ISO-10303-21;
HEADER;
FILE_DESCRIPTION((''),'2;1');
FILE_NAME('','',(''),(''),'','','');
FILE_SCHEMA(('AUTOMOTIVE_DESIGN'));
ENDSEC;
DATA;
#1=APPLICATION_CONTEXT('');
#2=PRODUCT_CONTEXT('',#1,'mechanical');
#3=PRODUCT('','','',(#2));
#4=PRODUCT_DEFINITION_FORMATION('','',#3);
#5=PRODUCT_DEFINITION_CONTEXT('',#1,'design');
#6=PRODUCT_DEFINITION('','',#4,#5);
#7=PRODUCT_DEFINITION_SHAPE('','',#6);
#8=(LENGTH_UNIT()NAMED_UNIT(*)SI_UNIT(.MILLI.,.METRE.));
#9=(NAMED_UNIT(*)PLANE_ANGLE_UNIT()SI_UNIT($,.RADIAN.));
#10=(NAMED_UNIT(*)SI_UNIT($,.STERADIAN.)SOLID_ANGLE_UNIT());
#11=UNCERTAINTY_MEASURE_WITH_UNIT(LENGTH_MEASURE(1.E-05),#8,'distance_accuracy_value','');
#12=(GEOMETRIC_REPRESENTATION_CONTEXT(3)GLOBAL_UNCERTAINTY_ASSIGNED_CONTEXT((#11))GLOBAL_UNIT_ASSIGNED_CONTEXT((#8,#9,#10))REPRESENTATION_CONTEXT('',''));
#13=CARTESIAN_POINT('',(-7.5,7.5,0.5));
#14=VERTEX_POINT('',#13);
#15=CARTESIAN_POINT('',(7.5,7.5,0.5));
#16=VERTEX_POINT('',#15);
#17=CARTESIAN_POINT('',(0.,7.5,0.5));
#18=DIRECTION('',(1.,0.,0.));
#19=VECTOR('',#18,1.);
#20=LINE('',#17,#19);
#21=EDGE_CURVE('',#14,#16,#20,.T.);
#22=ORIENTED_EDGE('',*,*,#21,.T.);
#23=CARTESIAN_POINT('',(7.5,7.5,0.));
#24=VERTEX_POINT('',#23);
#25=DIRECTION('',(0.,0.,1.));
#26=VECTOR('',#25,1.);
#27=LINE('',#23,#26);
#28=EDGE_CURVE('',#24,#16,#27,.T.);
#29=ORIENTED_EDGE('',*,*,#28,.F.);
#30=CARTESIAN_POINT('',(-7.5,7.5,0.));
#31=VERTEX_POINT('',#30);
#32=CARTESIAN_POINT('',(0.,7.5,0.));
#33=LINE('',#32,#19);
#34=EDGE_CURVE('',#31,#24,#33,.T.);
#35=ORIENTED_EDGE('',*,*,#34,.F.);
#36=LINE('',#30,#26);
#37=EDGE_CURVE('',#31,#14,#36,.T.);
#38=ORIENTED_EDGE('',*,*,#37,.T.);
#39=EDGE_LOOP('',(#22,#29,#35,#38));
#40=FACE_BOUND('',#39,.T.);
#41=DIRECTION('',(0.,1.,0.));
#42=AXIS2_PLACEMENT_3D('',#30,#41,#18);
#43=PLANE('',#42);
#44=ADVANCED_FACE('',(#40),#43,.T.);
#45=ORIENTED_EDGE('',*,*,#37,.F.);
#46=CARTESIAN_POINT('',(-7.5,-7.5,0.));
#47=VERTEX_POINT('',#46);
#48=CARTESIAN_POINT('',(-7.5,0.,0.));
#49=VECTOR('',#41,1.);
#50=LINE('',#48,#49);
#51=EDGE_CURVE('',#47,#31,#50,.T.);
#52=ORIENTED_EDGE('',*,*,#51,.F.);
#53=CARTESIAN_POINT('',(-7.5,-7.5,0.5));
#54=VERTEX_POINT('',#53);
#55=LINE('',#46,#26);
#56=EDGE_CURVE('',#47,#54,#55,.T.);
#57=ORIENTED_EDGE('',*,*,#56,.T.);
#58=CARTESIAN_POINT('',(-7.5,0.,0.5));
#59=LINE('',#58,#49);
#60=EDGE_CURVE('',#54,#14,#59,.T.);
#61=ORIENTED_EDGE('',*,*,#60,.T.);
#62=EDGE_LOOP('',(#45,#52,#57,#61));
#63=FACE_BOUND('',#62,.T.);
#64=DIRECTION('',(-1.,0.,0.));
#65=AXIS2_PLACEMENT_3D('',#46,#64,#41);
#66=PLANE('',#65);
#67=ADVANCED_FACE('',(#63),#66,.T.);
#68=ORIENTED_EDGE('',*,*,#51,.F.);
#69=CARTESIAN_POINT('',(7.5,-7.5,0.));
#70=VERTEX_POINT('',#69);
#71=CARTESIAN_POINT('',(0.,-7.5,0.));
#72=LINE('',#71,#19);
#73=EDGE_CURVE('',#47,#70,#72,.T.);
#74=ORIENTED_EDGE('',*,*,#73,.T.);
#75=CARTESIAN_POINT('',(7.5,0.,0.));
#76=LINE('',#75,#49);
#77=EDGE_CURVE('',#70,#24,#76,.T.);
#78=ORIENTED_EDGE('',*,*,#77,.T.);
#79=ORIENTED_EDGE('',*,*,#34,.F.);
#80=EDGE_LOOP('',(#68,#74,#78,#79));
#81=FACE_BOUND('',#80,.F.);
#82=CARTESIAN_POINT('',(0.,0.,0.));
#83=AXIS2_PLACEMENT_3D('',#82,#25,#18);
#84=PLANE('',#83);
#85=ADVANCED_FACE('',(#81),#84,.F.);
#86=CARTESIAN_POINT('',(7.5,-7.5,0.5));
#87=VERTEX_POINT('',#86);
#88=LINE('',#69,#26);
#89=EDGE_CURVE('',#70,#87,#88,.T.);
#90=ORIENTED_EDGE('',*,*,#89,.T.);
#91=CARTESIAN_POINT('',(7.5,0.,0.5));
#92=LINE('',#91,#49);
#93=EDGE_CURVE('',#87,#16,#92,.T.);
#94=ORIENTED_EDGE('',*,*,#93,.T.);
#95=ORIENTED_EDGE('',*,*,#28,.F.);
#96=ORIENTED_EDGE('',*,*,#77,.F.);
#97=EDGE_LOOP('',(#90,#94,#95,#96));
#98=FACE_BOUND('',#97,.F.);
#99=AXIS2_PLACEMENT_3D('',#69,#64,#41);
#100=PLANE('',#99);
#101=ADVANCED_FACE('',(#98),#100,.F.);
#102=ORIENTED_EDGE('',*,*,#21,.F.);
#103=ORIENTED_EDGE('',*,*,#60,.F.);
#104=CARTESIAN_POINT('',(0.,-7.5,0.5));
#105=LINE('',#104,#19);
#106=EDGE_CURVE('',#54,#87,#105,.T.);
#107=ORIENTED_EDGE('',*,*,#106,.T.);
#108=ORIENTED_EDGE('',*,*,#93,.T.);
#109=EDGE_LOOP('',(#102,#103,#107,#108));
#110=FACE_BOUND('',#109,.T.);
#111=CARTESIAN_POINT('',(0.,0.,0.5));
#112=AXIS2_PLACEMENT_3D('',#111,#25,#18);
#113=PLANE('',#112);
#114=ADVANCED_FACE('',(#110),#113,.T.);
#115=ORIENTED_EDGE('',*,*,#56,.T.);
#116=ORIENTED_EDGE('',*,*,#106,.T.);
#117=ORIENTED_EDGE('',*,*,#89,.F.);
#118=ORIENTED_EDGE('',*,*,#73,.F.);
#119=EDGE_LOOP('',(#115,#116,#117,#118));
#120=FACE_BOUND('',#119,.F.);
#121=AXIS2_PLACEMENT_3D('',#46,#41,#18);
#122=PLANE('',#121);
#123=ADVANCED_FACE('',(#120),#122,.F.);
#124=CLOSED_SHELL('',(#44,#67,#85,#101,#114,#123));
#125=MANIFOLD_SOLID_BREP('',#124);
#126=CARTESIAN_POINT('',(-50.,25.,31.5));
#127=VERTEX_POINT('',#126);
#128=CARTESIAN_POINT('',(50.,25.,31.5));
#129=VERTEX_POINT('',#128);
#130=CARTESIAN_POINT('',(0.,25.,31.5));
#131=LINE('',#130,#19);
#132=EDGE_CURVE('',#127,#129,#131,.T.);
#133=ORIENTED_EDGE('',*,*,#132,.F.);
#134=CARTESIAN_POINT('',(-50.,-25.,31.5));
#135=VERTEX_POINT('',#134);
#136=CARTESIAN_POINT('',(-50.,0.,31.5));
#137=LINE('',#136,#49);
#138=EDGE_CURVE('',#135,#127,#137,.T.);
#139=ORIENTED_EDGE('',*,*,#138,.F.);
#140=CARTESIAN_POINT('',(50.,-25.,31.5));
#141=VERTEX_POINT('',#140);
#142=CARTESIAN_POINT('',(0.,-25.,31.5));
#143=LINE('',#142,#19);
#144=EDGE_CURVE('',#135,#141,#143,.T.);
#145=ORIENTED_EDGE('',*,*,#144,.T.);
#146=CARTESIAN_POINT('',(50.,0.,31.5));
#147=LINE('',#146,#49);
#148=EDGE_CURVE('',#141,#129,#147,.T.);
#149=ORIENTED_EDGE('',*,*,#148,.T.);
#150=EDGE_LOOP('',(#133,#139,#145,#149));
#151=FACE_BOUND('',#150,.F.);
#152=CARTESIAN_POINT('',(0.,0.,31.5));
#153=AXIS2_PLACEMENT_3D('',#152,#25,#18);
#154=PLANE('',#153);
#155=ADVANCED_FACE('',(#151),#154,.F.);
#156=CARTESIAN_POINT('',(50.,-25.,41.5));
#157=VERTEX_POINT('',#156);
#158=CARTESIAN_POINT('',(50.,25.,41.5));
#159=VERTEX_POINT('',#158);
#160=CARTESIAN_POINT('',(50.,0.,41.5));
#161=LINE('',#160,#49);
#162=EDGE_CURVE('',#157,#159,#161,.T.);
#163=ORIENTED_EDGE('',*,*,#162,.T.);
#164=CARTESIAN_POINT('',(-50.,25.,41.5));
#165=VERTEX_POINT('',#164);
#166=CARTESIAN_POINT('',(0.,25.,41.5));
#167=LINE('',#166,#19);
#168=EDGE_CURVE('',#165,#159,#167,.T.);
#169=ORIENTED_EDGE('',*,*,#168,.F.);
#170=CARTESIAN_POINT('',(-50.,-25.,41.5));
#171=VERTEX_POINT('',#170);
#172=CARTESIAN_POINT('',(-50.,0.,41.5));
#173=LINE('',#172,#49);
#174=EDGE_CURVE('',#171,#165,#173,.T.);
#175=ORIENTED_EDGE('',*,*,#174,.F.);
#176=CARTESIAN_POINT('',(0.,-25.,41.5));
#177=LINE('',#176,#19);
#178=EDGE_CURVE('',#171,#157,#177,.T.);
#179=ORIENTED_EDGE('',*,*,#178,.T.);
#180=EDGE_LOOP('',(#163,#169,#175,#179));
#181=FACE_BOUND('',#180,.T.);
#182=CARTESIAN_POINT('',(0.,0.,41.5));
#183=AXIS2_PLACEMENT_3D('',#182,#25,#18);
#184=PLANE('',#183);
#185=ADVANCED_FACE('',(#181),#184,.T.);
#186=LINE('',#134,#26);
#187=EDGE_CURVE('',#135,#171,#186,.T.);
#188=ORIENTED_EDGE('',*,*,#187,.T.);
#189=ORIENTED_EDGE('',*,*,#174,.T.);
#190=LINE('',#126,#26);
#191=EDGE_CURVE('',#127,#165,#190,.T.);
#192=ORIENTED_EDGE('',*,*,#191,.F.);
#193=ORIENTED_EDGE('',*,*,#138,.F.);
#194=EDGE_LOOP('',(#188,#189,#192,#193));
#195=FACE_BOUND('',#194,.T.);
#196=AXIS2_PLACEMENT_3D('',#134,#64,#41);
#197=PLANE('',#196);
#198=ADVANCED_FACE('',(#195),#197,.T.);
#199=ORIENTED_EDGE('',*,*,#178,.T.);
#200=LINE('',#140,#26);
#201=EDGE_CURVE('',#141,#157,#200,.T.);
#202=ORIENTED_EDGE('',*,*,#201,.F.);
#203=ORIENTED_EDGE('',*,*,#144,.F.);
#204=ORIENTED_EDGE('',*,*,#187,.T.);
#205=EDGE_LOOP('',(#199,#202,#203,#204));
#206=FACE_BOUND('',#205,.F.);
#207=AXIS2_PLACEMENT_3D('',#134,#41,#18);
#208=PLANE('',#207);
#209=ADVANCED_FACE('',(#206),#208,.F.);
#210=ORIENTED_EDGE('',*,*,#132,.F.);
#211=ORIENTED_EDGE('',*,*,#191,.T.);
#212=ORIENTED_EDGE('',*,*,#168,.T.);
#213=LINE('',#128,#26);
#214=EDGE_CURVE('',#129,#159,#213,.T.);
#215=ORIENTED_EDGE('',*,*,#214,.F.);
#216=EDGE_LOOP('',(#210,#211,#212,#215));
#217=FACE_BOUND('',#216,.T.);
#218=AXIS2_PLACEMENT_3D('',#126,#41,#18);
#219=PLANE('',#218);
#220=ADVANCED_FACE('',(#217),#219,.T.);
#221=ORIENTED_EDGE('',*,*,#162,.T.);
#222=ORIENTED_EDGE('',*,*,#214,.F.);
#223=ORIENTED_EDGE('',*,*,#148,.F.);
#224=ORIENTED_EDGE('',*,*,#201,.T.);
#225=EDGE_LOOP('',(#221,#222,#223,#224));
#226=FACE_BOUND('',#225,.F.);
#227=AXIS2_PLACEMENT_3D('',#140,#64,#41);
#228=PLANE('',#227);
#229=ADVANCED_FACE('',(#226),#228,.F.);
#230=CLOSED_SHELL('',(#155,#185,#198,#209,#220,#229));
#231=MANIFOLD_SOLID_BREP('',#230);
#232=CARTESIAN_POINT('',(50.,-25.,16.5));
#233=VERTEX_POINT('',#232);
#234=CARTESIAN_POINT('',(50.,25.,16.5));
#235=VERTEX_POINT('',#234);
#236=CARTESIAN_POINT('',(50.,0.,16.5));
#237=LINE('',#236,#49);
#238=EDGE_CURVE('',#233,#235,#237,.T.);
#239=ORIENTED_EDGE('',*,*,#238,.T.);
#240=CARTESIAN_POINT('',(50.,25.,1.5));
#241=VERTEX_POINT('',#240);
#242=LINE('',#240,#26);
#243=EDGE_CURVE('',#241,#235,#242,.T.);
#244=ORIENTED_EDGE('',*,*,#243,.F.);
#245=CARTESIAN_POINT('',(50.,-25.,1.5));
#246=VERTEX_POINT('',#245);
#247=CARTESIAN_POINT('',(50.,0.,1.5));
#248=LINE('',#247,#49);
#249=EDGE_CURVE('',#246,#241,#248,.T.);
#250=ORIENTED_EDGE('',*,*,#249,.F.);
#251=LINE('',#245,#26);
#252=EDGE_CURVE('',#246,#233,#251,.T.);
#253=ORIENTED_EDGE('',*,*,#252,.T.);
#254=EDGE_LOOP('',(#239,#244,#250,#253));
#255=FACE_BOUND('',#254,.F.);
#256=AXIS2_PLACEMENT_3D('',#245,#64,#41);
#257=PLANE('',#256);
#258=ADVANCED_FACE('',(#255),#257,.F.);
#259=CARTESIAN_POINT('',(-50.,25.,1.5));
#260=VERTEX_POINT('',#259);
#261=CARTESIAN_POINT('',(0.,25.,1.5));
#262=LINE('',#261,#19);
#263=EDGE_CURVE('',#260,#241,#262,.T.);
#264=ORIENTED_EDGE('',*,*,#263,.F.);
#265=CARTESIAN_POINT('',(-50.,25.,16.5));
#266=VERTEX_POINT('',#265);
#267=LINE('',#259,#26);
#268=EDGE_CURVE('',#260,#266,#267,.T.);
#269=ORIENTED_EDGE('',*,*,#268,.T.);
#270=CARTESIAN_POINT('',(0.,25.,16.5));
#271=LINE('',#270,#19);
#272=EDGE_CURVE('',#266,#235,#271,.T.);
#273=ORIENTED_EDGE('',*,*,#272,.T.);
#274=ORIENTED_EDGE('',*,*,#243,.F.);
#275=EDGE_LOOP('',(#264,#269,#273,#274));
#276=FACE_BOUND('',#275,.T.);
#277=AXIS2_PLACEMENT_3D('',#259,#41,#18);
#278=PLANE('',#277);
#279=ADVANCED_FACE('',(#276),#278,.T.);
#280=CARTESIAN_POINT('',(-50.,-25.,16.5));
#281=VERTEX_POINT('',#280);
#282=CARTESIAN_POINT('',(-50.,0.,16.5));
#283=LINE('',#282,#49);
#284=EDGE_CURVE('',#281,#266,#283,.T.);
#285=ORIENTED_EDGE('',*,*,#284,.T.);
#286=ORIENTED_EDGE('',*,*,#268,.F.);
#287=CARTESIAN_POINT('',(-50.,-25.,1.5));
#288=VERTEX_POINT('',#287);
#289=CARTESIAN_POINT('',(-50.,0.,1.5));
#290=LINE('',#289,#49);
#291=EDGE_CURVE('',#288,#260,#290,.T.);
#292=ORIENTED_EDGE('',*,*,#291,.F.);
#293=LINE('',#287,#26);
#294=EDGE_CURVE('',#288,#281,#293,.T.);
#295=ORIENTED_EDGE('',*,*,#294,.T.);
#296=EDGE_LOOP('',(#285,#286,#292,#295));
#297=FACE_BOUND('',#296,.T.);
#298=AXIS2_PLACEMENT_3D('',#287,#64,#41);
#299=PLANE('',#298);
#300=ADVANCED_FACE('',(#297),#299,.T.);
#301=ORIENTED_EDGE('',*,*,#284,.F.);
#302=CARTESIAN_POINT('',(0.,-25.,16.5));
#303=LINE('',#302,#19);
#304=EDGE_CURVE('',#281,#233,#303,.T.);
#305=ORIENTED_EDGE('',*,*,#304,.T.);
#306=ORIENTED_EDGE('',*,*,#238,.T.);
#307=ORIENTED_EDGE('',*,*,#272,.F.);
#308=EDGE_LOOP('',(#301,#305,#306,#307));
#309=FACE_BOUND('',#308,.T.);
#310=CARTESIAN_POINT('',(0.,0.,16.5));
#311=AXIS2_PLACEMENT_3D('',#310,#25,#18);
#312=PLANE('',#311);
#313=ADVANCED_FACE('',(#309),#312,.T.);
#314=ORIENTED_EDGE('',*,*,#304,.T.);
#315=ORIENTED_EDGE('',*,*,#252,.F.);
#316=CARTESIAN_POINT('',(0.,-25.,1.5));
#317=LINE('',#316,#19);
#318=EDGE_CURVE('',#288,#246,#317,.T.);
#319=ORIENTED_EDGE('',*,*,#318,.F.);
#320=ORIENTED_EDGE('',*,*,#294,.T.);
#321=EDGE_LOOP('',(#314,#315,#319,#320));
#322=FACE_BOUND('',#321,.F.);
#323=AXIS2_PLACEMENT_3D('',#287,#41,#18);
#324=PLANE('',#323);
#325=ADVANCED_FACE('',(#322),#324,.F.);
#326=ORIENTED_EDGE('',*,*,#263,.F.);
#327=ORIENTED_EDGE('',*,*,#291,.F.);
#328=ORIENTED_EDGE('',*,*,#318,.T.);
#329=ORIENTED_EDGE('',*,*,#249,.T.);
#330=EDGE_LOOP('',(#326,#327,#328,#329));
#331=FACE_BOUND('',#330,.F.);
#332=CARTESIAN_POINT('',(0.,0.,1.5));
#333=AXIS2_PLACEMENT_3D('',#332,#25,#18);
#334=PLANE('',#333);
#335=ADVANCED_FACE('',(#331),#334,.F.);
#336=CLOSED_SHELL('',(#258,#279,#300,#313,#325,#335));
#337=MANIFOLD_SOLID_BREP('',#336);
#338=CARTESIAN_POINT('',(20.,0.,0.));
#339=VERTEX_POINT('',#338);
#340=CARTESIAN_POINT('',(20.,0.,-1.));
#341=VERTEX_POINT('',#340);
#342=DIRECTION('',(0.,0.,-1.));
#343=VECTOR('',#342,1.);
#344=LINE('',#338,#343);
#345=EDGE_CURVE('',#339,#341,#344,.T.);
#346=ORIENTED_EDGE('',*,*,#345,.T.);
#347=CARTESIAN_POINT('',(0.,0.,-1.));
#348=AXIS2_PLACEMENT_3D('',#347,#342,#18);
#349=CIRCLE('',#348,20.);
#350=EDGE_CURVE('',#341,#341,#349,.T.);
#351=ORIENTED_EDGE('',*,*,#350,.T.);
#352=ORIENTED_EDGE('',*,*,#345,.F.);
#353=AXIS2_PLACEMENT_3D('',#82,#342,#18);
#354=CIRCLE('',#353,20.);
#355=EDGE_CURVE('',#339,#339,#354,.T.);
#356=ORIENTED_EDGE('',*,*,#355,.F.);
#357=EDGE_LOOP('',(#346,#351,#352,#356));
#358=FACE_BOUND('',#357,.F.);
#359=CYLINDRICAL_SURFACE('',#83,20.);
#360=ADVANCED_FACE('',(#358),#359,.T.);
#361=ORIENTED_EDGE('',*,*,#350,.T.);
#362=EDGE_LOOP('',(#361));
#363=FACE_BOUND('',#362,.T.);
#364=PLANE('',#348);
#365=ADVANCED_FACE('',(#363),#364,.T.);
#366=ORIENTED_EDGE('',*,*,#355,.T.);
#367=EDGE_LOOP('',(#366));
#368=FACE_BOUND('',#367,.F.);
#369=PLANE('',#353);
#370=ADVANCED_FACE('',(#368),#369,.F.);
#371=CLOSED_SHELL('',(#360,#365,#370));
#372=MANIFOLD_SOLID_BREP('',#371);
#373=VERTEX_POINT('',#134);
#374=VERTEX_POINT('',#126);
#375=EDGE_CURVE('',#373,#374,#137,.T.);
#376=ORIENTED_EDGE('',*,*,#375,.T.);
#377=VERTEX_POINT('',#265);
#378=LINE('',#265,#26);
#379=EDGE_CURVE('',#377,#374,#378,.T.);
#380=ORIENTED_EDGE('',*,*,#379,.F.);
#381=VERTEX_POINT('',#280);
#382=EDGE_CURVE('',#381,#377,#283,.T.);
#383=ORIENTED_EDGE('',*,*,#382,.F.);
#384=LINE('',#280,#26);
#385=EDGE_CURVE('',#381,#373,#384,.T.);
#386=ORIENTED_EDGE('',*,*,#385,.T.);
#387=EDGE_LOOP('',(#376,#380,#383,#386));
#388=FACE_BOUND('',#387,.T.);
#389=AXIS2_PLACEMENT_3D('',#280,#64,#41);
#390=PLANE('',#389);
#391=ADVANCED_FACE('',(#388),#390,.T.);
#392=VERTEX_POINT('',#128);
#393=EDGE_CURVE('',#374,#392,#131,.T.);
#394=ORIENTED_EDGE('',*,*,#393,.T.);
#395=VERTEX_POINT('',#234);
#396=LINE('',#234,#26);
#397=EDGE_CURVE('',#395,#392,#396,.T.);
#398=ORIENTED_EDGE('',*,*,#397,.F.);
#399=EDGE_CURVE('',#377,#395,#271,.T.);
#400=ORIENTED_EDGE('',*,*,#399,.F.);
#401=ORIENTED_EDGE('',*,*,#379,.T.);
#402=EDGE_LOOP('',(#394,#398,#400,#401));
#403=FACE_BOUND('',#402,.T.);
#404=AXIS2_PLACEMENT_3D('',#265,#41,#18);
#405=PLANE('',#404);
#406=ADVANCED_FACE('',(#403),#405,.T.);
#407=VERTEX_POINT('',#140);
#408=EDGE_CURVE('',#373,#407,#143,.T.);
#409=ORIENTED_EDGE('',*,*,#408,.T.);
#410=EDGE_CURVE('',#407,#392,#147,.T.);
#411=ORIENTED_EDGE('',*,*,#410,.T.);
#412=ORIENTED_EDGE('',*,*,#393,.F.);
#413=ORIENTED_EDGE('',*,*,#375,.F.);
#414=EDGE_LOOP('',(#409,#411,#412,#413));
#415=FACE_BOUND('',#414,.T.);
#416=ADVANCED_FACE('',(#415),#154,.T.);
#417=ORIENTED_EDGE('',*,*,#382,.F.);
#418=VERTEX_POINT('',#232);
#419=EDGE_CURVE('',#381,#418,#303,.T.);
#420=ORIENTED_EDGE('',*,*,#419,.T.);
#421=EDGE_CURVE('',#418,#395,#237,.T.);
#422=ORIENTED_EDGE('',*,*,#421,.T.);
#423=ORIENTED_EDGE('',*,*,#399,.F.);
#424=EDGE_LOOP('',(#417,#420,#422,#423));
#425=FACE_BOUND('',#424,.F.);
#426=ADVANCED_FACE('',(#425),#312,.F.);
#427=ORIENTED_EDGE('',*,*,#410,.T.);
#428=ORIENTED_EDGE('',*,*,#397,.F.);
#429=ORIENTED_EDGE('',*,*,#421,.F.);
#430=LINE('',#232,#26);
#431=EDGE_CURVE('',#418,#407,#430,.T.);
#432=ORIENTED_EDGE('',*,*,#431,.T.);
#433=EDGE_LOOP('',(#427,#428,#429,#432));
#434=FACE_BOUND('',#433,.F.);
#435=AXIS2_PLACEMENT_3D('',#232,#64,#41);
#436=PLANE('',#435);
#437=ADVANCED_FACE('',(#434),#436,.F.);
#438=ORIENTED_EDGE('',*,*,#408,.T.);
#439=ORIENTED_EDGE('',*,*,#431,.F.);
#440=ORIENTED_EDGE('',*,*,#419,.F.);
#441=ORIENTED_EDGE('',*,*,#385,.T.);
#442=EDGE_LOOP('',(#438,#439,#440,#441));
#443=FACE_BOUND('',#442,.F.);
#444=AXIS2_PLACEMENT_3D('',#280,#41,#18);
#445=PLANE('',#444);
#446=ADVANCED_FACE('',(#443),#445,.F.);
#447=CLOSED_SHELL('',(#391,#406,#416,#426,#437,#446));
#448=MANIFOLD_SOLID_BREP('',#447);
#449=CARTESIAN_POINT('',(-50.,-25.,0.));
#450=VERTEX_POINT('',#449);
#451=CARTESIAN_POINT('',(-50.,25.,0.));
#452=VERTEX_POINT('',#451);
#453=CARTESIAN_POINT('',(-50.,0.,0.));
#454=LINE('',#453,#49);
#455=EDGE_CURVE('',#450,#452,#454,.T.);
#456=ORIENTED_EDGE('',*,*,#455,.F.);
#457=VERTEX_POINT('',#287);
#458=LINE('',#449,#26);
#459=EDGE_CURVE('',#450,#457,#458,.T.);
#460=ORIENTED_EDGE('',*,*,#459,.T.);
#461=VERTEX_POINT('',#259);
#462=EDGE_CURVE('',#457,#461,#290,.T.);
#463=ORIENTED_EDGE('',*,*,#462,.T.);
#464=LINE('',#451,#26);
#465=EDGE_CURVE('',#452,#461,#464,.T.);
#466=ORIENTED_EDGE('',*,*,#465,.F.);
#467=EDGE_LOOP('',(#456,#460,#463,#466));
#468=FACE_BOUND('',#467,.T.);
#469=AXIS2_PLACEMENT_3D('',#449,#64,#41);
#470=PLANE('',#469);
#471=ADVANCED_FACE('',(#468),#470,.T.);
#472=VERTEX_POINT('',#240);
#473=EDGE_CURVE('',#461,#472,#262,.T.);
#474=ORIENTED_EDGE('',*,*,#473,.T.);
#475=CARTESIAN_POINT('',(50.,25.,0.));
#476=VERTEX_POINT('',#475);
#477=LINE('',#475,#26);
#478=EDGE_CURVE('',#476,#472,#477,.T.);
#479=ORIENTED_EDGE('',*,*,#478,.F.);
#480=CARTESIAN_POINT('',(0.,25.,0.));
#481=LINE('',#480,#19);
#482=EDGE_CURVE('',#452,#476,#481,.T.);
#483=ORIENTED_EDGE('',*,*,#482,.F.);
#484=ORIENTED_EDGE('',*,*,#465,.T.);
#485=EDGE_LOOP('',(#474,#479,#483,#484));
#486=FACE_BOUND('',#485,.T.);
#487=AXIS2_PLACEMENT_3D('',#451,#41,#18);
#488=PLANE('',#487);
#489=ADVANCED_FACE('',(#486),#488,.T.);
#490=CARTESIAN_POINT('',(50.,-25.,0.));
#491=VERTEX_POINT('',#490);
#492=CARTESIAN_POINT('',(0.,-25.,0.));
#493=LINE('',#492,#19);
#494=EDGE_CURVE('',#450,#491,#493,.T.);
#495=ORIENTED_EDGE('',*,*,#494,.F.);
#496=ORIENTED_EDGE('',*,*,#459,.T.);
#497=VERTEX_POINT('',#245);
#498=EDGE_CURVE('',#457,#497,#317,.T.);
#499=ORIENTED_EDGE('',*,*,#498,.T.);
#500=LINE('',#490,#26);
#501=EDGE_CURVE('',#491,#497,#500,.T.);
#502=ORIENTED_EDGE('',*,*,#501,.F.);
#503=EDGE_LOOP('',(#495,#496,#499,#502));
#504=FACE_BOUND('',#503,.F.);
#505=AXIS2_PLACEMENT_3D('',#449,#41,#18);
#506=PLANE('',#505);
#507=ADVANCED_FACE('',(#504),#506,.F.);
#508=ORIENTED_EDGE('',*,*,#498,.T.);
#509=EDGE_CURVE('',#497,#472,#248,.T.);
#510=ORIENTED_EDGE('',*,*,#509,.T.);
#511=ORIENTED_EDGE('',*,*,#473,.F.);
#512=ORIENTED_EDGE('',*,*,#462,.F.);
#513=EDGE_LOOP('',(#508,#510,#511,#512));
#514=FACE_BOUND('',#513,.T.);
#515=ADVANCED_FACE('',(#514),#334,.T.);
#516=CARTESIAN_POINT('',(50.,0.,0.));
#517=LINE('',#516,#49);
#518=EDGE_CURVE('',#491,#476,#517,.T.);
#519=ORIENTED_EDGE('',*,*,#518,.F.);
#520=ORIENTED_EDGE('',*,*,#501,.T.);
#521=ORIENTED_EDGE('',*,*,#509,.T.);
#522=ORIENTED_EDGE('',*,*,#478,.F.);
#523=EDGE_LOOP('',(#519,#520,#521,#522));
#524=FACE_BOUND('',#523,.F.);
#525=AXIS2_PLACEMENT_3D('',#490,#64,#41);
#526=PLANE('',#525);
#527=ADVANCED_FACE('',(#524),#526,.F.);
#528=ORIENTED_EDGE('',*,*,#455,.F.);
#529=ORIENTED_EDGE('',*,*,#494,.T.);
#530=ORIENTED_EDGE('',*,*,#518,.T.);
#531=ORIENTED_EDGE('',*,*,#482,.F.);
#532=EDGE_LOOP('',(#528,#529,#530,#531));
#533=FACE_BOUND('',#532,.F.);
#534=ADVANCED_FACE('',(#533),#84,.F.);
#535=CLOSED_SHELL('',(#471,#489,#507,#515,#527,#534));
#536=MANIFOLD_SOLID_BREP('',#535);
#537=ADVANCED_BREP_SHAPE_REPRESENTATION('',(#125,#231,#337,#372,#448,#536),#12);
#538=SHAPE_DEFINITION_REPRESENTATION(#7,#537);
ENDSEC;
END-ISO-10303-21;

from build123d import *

# Parameters (mm, degrees)
F0_W      = 15
F0_H      = 15
F1_DEPTH  = 0.5
F2_W      = 100
F2_H      = 50
F3_DEPTH  = 1.5
F4_W      = 100
F4_H      = 50
F5_DEPTH  = 15
F6_W      = 100
F6_H      = 50
F7_DEPTH  = 15
F8_W      = 100
F8_H      = 50
F9_DEPTH  = 10
F10_R     = 20
F11_DEPTH = 1


with BuildPart() as f1:
    # F0 (on Top) → F1 (new body)
    with BuildSketch(Plane.XY):
        Rectangle(F0_W, F0_H)
    extrude(amount=F1_DEPTH)


with BuildPart() as f3:
    # F2 (on Top) → F3 (new body)
    with BuildSketch(Plane.XY):
        Rectangle(F2_W, F2_H)
    extrude(amount=F3_DEPTH)


with BuildPart() as f5:
    # F4 (on face) → F5 (new body)
    with BuildSketch(Plane.XY.offset(1.5)):
        Rectangle(F4_W, F4_H)
    extrude(amount=F5_DEPTH)


with BuildPart() as f7:
    # F6 (on face) → F7 (new body)
    with BuildSketch(Plane.XY.offset(16.5)):
        Rectangle(F6_W, F6_H)
    extrude(amount=F7_DEPTH)


with BuildPart() as f9:
    # F8 (on face) → F9 (new body)
    with BuildSketch(Plane.XY.offset(31.5)):
        Rectangle(F8_W, F8_H)
    extrude(amount=F9_DEPTH)


with BuildPart() as f11:
    # F10 (on face) → F11 (new body)
    with BuildSketch(Plane(origin=(0, 0, 0), x_dir=(1, 0, 0), z_dir=(0, 0, -1))):
        Circle(F10_R)
    extrude(amount=F11_DEPTH)


solid = Compound([f1.part, f3.part, f5.part, f7.part, f9.part, f11.part])
